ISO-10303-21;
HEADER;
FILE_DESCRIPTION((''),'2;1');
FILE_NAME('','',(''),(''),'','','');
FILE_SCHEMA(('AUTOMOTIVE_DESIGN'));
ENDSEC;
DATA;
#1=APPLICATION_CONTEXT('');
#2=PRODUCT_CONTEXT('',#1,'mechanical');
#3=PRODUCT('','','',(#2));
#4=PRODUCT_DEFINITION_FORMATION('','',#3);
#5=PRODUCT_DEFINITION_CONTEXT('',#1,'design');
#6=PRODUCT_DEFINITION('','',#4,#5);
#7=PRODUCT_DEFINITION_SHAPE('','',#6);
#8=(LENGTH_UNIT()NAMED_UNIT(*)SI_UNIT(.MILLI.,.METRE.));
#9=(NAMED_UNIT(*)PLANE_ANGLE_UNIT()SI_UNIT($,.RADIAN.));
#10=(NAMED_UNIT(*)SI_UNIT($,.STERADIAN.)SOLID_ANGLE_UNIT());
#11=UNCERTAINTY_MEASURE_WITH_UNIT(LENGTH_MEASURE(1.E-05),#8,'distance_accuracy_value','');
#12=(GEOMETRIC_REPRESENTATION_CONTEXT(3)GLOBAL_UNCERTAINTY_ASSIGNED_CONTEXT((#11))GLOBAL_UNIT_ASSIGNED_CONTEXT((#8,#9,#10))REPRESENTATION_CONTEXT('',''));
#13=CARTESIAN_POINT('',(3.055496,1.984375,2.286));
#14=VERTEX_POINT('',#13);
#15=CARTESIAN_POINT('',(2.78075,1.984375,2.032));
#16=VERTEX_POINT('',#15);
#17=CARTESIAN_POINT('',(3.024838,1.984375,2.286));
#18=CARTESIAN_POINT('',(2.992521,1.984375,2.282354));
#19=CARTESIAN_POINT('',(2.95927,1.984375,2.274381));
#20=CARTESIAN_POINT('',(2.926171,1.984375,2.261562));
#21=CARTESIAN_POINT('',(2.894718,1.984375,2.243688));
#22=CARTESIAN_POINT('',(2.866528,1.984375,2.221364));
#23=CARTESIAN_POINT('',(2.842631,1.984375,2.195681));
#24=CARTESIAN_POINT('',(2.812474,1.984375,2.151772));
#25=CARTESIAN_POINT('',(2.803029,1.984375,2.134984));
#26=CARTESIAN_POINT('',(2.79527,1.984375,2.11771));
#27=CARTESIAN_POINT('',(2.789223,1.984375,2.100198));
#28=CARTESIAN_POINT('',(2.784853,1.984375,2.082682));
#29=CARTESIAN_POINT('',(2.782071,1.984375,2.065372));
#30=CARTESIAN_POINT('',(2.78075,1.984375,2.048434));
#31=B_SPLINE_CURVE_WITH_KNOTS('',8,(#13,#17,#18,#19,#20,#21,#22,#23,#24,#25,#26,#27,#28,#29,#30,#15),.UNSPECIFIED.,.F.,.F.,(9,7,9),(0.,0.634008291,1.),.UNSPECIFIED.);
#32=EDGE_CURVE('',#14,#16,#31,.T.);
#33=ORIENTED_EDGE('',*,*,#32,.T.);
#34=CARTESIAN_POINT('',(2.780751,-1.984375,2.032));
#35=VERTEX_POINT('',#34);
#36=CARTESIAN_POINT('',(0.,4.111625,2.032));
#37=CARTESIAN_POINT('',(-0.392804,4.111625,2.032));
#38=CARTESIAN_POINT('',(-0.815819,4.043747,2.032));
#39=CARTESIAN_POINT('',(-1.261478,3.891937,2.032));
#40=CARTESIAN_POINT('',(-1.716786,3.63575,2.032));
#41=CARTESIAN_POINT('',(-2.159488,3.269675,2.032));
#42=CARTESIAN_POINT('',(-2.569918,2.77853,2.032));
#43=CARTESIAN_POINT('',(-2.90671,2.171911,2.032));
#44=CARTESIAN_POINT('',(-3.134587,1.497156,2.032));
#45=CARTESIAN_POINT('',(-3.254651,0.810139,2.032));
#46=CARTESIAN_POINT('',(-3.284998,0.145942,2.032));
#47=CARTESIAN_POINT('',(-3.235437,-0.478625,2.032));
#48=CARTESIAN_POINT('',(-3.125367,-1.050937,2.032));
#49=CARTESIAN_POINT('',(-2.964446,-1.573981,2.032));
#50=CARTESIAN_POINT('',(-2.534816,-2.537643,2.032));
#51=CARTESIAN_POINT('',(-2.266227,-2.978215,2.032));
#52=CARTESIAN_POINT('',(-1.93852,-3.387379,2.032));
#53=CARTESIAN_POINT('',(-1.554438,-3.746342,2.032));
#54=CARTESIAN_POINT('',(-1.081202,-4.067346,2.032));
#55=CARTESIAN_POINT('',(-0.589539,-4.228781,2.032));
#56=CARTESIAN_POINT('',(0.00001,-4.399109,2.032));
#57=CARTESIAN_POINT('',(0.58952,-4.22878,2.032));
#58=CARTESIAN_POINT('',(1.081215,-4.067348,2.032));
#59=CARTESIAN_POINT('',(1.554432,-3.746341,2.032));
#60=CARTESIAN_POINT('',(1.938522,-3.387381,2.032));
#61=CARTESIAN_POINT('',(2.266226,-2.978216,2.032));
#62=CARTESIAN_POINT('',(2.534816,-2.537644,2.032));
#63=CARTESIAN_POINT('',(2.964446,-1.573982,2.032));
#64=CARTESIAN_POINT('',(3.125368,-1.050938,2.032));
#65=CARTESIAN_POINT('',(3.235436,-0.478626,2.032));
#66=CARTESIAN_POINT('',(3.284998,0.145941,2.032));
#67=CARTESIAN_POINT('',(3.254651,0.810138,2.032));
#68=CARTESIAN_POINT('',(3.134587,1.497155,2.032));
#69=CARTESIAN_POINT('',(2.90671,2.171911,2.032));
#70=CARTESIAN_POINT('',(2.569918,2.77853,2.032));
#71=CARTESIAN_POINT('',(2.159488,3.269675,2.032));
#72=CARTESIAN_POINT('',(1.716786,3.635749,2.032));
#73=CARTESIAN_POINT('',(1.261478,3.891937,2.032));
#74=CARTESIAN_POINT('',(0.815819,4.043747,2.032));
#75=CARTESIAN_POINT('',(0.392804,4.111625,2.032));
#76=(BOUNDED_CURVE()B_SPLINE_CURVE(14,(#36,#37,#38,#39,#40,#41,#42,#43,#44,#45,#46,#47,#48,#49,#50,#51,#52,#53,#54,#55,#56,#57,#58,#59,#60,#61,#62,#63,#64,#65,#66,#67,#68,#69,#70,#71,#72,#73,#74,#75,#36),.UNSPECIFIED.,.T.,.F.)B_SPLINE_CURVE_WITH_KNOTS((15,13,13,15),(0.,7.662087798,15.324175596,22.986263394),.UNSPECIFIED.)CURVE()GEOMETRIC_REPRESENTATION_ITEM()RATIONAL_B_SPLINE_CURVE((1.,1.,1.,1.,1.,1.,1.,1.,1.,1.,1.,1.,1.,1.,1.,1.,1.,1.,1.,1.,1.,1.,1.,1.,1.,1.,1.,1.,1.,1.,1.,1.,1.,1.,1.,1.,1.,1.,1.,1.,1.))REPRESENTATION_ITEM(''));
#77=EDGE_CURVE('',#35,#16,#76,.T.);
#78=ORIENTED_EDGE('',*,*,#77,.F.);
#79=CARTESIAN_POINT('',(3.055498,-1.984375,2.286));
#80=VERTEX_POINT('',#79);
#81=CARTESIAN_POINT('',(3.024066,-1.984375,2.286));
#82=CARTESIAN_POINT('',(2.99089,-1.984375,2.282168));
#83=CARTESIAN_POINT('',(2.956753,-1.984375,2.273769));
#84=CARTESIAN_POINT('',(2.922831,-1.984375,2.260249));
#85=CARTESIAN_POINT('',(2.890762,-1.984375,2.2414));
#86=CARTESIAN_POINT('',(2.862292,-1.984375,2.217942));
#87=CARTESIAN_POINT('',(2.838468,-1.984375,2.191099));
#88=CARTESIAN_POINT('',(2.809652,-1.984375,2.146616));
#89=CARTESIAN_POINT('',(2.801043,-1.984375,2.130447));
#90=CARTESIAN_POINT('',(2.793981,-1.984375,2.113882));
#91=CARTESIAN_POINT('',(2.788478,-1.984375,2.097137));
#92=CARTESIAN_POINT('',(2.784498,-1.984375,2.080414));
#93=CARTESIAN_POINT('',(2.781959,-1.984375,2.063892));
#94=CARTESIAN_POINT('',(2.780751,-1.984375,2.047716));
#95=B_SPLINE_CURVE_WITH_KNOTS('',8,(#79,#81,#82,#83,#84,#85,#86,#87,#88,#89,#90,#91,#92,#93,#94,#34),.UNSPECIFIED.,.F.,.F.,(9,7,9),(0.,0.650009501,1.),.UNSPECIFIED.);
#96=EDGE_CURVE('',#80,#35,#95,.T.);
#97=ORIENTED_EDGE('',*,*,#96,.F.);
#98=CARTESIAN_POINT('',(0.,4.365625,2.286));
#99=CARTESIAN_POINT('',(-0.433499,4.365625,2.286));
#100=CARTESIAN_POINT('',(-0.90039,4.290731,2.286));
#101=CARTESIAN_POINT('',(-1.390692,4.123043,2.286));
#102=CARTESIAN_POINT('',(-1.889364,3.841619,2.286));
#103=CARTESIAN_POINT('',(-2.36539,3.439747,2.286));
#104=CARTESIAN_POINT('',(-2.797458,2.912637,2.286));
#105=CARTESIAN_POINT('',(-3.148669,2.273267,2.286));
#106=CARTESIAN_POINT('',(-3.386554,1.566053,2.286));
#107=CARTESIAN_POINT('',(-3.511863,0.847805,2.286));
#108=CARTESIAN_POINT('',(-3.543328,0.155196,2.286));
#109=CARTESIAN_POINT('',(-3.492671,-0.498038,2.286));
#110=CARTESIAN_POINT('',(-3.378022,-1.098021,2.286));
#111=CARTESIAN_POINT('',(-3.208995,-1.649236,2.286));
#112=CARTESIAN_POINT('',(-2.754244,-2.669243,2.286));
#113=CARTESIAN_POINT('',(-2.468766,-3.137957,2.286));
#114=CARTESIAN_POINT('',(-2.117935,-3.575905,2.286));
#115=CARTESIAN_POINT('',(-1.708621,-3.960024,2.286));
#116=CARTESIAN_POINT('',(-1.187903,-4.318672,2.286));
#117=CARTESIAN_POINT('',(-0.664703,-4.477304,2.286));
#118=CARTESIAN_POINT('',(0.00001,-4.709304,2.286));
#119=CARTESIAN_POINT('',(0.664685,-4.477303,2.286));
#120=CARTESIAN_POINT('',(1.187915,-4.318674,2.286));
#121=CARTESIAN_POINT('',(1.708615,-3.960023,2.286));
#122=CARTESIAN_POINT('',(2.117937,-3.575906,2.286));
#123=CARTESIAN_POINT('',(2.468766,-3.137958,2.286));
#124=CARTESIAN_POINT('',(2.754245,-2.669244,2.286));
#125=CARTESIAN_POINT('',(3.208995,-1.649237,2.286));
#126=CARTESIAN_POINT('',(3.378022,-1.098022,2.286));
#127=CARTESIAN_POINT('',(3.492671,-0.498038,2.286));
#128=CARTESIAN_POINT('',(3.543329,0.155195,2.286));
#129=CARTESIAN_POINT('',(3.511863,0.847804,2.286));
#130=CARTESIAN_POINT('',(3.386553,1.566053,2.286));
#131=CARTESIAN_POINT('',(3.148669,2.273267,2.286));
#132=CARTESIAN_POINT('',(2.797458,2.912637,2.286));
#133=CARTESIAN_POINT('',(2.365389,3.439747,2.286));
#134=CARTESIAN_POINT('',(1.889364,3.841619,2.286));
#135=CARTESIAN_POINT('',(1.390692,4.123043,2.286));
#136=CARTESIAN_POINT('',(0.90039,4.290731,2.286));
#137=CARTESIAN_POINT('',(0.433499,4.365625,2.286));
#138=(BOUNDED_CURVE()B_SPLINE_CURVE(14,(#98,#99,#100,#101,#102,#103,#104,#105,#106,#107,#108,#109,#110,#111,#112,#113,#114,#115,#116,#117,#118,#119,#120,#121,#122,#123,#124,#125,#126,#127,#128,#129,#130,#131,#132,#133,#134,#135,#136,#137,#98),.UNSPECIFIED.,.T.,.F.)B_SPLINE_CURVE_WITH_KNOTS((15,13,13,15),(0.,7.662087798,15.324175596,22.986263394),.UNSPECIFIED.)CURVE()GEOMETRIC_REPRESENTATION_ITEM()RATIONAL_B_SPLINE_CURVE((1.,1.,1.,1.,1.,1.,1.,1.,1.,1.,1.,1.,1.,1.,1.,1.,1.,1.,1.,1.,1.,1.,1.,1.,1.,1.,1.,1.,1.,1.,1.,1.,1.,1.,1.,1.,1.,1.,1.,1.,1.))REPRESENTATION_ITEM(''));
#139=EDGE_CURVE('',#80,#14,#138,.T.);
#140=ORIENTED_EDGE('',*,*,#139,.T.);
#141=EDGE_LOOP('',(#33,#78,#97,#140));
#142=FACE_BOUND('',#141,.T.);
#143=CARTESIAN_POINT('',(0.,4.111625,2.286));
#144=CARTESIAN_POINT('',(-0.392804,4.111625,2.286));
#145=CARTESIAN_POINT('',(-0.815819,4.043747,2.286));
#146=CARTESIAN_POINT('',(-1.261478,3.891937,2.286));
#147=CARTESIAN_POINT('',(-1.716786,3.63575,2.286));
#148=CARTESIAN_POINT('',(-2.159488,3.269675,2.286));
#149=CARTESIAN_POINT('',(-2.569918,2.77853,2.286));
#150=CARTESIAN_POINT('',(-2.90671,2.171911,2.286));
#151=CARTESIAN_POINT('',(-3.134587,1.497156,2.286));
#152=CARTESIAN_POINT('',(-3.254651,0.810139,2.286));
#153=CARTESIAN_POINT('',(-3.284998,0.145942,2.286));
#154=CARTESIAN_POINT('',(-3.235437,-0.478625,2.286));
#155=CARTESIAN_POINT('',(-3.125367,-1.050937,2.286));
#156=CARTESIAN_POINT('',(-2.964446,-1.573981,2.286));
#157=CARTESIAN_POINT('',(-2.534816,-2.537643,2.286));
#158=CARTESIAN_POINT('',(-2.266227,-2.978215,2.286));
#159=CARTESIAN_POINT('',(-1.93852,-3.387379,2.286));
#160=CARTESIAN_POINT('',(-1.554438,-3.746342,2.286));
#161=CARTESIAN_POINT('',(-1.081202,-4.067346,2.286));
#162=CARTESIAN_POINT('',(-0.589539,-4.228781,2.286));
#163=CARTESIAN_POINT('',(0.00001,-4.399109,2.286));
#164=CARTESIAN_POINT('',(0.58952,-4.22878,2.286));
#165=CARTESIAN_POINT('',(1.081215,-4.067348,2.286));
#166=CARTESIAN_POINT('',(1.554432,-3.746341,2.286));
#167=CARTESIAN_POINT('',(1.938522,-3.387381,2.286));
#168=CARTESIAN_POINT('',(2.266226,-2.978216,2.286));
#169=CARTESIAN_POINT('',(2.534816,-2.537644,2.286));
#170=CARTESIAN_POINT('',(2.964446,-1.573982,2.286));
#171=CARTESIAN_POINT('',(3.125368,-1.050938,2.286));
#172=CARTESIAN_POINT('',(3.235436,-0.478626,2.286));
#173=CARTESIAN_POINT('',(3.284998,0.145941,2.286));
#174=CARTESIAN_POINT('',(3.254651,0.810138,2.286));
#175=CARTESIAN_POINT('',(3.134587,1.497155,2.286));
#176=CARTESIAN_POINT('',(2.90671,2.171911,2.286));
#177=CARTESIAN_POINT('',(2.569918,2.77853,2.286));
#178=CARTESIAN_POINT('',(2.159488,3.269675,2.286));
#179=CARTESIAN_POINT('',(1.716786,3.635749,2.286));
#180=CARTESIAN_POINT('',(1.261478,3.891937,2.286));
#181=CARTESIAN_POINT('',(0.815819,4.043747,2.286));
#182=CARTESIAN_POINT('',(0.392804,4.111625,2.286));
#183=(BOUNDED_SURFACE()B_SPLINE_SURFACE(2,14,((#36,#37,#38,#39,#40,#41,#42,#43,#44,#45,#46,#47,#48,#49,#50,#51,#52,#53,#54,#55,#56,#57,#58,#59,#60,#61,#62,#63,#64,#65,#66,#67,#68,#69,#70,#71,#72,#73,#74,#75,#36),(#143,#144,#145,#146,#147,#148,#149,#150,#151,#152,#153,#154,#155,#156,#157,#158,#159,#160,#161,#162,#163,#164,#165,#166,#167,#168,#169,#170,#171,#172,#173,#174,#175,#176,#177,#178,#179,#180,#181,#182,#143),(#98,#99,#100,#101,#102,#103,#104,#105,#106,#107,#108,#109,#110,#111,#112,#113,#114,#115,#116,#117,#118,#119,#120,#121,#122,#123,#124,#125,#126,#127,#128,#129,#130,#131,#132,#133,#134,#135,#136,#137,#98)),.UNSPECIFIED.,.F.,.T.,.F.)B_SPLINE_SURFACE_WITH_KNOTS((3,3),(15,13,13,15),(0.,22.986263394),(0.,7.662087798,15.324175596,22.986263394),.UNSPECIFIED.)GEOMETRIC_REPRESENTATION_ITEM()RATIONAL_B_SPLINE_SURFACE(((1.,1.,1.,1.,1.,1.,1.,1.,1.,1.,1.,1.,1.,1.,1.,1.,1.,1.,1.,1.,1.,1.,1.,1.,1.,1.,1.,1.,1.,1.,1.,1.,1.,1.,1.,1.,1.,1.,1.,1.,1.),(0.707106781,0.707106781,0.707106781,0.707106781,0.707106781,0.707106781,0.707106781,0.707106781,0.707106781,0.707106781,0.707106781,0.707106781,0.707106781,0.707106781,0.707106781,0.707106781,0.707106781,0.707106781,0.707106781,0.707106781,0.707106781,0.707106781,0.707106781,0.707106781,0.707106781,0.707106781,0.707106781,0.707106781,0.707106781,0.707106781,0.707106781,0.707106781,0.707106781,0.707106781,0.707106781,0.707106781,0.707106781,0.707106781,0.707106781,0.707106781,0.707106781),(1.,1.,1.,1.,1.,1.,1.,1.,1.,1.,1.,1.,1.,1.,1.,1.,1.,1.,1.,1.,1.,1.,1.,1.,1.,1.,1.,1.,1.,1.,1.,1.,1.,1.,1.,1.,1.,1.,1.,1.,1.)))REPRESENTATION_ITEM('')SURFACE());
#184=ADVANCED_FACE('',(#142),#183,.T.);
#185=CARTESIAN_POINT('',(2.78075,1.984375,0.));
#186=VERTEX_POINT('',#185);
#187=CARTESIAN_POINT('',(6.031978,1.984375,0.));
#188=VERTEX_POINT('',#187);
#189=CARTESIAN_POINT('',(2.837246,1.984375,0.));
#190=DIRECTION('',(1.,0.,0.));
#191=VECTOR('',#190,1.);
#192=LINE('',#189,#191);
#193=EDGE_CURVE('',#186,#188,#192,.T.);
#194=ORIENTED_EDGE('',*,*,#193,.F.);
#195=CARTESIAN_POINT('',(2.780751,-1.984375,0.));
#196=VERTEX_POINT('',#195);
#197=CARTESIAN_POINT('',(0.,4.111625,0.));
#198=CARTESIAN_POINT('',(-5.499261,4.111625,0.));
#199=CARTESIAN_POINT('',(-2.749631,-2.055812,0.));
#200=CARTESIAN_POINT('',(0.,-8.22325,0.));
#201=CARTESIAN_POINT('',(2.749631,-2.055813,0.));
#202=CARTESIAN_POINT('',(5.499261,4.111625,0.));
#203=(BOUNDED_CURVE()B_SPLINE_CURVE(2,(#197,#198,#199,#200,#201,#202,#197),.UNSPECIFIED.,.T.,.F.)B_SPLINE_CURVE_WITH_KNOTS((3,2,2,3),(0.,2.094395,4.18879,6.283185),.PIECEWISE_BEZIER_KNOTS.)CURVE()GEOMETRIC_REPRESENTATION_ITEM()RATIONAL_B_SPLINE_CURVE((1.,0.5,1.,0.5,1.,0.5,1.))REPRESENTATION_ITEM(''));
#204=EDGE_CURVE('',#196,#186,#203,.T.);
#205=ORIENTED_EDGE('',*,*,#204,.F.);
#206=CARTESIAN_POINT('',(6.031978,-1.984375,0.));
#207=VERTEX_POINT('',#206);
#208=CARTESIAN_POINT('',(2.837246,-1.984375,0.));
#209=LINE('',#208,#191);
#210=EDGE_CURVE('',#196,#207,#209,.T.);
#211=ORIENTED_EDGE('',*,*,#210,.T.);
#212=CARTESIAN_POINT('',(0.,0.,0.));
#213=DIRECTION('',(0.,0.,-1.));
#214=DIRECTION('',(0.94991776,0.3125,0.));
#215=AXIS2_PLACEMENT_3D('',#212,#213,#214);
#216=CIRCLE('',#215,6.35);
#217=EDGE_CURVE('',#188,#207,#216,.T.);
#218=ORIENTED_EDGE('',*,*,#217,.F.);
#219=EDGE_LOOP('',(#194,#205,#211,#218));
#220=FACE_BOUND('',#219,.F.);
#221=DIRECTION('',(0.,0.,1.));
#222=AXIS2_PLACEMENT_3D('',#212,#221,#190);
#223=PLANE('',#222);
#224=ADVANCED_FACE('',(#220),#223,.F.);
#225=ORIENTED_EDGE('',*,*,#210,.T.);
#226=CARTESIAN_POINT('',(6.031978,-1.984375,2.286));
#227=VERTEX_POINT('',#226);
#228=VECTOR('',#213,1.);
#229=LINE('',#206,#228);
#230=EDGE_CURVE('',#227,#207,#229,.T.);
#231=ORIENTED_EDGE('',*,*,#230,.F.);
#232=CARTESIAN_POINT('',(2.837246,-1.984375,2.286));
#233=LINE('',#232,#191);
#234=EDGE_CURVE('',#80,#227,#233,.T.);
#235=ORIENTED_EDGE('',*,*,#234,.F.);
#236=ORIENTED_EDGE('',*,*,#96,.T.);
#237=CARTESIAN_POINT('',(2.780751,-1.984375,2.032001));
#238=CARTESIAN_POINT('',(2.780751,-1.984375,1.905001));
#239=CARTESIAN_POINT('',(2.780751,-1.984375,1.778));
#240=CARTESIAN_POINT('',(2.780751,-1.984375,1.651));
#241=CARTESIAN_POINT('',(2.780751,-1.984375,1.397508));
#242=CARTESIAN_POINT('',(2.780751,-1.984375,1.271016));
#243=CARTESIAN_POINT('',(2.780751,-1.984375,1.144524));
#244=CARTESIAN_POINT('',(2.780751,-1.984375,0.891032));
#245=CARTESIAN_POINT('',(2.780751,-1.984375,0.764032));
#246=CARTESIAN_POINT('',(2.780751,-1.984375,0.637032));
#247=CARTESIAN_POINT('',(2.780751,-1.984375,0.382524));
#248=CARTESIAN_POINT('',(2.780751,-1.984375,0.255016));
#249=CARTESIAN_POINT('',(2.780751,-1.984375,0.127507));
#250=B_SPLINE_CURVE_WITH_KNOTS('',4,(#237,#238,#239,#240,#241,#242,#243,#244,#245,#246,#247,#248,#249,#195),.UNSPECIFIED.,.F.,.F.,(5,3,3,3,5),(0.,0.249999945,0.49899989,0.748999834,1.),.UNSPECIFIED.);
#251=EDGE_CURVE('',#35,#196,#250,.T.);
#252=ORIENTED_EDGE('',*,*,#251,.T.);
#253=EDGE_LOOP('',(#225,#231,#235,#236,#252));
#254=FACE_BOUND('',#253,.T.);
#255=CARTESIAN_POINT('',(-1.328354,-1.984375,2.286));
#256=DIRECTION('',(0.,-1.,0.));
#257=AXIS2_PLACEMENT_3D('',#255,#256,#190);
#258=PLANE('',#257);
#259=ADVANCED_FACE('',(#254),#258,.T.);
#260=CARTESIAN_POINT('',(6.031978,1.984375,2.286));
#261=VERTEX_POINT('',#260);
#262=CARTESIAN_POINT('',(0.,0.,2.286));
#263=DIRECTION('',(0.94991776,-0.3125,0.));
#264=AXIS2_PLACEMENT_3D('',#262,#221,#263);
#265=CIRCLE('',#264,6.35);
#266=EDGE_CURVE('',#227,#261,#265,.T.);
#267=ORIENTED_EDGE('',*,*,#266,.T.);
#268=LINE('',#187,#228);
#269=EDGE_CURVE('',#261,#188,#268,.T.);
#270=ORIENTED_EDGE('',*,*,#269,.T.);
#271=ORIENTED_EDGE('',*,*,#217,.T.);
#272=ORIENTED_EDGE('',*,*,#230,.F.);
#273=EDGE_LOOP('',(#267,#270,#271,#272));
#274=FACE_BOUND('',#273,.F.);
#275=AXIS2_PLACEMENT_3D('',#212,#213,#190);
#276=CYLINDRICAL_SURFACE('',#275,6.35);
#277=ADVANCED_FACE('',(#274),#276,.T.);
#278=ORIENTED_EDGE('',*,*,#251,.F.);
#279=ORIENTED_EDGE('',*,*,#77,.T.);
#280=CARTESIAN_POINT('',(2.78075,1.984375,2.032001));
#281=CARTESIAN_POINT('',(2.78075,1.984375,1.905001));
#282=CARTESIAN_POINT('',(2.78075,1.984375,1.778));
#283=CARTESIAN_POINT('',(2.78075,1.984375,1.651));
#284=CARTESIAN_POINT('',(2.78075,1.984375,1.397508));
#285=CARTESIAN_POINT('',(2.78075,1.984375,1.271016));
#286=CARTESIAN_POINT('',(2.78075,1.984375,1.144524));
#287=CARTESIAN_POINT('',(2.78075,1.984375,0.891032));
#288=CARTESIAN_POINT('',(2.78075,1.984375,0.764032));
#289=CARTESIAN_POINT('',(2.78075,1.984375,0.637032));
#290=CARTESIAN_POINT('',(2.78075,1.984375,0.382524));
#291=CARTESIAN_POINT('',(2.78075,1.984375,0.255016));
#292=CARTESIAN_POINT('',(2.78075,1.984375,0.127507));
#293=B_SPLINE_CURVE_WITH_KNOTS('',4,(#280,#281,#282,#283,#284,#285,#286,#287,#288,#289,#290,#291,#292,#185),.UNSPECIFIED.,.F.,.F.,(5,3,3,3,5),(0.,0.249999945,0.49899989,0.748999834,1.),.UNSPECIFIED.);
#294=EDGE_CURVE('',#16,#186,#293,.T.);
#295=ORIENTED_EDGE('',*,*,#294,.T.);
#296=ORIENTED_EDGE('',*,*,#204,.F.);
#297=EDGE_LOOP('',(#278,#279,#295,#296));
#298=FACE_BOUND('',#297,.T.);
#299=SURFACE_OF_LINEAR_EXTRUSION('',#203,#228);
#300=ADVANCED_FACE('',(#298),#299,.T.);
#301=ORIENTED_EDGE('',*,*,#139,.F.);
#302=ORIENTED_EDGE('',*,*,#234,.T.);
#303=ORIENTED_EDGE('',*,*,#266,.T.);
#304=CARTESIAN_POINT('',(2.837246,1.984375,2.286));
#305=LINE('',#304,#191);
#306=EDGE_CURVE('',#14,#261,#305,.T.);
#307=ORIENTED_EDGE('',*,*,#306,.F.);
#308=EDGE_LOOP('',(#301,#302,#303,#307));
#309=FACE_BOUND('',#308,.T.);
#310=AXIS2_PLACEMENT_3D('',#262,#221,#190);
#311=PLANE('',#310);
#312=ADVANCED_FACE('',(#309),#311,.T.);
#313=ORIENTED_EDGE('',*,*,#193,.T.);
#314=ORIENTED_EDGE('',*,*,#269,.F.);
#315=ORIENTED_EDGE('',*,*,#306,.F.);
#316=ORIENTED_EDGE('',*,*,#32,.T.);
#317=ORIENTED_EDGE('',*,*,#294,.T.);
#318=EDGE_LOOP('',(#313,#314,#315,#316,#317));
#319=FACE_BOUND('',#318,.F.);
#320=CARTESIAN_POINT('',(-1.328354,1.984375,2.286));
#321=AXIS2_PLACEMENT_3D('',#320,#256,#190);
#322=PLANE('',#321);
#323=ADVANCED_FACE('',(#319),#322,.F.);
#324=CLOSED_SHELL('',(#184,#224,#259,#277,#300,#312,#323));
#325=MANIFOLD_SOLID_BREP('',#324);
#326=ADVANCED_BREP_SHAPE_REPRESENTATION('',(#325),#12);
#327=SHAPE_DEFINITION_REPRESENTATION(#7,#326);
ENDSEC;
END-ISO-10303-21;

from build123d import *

# Parameters (mm, degrees)
F0_R     = 6.35
F1_DEPTH = 2.286
F2_R     = 0.254
F3_W     = 8.3312
F3_H     = 3.96875
F4_DEPTH = 2.286


with BuildPart() as f1:
    # F0 (on Top) → F1 (new body)
    with BuildSketch(Plane.XY):
        Circle(F0_R)
        with BuildLine():
            add(Edge.make_bspline(
                [(0, 4.111625), (-5.499261, 4.111625), (-2.749631, -2.055812), (0, -8.22325), (2.749631, -2.055813), (5.499261, 4.111625), (0, 4.111625)],
                knots=[0, 0, 0, 2.094395, 2.094395, 4.18879, 4.18879, 6.283185, 6.283185, 6.283185], degree=2, weights=[1, 0.5, 1, 0.5, 1, 0.5, 1]))
        make_face(mode=Mode.SUBTRACT)
    extrude(amount=F1_DEPTH)

    # F2
    f2_edges = [f1.edges().sort_by_distance(p)[0] for p in [
        (0, -4.111625, 2.286),
    ]]
    fillet(f2_edges, radius=F2_R)

    # F3 (on face) → F4 (intersect)
    with BuildSketch(Plane.XY.offset(2.286)):
        with Locations((2.837246, 0)):
            Rectangle(F3_W, F3_H)
    extrude(amount=-F4_DEPTH, mode=Mode.INTERSECT)


solid = f1.part
